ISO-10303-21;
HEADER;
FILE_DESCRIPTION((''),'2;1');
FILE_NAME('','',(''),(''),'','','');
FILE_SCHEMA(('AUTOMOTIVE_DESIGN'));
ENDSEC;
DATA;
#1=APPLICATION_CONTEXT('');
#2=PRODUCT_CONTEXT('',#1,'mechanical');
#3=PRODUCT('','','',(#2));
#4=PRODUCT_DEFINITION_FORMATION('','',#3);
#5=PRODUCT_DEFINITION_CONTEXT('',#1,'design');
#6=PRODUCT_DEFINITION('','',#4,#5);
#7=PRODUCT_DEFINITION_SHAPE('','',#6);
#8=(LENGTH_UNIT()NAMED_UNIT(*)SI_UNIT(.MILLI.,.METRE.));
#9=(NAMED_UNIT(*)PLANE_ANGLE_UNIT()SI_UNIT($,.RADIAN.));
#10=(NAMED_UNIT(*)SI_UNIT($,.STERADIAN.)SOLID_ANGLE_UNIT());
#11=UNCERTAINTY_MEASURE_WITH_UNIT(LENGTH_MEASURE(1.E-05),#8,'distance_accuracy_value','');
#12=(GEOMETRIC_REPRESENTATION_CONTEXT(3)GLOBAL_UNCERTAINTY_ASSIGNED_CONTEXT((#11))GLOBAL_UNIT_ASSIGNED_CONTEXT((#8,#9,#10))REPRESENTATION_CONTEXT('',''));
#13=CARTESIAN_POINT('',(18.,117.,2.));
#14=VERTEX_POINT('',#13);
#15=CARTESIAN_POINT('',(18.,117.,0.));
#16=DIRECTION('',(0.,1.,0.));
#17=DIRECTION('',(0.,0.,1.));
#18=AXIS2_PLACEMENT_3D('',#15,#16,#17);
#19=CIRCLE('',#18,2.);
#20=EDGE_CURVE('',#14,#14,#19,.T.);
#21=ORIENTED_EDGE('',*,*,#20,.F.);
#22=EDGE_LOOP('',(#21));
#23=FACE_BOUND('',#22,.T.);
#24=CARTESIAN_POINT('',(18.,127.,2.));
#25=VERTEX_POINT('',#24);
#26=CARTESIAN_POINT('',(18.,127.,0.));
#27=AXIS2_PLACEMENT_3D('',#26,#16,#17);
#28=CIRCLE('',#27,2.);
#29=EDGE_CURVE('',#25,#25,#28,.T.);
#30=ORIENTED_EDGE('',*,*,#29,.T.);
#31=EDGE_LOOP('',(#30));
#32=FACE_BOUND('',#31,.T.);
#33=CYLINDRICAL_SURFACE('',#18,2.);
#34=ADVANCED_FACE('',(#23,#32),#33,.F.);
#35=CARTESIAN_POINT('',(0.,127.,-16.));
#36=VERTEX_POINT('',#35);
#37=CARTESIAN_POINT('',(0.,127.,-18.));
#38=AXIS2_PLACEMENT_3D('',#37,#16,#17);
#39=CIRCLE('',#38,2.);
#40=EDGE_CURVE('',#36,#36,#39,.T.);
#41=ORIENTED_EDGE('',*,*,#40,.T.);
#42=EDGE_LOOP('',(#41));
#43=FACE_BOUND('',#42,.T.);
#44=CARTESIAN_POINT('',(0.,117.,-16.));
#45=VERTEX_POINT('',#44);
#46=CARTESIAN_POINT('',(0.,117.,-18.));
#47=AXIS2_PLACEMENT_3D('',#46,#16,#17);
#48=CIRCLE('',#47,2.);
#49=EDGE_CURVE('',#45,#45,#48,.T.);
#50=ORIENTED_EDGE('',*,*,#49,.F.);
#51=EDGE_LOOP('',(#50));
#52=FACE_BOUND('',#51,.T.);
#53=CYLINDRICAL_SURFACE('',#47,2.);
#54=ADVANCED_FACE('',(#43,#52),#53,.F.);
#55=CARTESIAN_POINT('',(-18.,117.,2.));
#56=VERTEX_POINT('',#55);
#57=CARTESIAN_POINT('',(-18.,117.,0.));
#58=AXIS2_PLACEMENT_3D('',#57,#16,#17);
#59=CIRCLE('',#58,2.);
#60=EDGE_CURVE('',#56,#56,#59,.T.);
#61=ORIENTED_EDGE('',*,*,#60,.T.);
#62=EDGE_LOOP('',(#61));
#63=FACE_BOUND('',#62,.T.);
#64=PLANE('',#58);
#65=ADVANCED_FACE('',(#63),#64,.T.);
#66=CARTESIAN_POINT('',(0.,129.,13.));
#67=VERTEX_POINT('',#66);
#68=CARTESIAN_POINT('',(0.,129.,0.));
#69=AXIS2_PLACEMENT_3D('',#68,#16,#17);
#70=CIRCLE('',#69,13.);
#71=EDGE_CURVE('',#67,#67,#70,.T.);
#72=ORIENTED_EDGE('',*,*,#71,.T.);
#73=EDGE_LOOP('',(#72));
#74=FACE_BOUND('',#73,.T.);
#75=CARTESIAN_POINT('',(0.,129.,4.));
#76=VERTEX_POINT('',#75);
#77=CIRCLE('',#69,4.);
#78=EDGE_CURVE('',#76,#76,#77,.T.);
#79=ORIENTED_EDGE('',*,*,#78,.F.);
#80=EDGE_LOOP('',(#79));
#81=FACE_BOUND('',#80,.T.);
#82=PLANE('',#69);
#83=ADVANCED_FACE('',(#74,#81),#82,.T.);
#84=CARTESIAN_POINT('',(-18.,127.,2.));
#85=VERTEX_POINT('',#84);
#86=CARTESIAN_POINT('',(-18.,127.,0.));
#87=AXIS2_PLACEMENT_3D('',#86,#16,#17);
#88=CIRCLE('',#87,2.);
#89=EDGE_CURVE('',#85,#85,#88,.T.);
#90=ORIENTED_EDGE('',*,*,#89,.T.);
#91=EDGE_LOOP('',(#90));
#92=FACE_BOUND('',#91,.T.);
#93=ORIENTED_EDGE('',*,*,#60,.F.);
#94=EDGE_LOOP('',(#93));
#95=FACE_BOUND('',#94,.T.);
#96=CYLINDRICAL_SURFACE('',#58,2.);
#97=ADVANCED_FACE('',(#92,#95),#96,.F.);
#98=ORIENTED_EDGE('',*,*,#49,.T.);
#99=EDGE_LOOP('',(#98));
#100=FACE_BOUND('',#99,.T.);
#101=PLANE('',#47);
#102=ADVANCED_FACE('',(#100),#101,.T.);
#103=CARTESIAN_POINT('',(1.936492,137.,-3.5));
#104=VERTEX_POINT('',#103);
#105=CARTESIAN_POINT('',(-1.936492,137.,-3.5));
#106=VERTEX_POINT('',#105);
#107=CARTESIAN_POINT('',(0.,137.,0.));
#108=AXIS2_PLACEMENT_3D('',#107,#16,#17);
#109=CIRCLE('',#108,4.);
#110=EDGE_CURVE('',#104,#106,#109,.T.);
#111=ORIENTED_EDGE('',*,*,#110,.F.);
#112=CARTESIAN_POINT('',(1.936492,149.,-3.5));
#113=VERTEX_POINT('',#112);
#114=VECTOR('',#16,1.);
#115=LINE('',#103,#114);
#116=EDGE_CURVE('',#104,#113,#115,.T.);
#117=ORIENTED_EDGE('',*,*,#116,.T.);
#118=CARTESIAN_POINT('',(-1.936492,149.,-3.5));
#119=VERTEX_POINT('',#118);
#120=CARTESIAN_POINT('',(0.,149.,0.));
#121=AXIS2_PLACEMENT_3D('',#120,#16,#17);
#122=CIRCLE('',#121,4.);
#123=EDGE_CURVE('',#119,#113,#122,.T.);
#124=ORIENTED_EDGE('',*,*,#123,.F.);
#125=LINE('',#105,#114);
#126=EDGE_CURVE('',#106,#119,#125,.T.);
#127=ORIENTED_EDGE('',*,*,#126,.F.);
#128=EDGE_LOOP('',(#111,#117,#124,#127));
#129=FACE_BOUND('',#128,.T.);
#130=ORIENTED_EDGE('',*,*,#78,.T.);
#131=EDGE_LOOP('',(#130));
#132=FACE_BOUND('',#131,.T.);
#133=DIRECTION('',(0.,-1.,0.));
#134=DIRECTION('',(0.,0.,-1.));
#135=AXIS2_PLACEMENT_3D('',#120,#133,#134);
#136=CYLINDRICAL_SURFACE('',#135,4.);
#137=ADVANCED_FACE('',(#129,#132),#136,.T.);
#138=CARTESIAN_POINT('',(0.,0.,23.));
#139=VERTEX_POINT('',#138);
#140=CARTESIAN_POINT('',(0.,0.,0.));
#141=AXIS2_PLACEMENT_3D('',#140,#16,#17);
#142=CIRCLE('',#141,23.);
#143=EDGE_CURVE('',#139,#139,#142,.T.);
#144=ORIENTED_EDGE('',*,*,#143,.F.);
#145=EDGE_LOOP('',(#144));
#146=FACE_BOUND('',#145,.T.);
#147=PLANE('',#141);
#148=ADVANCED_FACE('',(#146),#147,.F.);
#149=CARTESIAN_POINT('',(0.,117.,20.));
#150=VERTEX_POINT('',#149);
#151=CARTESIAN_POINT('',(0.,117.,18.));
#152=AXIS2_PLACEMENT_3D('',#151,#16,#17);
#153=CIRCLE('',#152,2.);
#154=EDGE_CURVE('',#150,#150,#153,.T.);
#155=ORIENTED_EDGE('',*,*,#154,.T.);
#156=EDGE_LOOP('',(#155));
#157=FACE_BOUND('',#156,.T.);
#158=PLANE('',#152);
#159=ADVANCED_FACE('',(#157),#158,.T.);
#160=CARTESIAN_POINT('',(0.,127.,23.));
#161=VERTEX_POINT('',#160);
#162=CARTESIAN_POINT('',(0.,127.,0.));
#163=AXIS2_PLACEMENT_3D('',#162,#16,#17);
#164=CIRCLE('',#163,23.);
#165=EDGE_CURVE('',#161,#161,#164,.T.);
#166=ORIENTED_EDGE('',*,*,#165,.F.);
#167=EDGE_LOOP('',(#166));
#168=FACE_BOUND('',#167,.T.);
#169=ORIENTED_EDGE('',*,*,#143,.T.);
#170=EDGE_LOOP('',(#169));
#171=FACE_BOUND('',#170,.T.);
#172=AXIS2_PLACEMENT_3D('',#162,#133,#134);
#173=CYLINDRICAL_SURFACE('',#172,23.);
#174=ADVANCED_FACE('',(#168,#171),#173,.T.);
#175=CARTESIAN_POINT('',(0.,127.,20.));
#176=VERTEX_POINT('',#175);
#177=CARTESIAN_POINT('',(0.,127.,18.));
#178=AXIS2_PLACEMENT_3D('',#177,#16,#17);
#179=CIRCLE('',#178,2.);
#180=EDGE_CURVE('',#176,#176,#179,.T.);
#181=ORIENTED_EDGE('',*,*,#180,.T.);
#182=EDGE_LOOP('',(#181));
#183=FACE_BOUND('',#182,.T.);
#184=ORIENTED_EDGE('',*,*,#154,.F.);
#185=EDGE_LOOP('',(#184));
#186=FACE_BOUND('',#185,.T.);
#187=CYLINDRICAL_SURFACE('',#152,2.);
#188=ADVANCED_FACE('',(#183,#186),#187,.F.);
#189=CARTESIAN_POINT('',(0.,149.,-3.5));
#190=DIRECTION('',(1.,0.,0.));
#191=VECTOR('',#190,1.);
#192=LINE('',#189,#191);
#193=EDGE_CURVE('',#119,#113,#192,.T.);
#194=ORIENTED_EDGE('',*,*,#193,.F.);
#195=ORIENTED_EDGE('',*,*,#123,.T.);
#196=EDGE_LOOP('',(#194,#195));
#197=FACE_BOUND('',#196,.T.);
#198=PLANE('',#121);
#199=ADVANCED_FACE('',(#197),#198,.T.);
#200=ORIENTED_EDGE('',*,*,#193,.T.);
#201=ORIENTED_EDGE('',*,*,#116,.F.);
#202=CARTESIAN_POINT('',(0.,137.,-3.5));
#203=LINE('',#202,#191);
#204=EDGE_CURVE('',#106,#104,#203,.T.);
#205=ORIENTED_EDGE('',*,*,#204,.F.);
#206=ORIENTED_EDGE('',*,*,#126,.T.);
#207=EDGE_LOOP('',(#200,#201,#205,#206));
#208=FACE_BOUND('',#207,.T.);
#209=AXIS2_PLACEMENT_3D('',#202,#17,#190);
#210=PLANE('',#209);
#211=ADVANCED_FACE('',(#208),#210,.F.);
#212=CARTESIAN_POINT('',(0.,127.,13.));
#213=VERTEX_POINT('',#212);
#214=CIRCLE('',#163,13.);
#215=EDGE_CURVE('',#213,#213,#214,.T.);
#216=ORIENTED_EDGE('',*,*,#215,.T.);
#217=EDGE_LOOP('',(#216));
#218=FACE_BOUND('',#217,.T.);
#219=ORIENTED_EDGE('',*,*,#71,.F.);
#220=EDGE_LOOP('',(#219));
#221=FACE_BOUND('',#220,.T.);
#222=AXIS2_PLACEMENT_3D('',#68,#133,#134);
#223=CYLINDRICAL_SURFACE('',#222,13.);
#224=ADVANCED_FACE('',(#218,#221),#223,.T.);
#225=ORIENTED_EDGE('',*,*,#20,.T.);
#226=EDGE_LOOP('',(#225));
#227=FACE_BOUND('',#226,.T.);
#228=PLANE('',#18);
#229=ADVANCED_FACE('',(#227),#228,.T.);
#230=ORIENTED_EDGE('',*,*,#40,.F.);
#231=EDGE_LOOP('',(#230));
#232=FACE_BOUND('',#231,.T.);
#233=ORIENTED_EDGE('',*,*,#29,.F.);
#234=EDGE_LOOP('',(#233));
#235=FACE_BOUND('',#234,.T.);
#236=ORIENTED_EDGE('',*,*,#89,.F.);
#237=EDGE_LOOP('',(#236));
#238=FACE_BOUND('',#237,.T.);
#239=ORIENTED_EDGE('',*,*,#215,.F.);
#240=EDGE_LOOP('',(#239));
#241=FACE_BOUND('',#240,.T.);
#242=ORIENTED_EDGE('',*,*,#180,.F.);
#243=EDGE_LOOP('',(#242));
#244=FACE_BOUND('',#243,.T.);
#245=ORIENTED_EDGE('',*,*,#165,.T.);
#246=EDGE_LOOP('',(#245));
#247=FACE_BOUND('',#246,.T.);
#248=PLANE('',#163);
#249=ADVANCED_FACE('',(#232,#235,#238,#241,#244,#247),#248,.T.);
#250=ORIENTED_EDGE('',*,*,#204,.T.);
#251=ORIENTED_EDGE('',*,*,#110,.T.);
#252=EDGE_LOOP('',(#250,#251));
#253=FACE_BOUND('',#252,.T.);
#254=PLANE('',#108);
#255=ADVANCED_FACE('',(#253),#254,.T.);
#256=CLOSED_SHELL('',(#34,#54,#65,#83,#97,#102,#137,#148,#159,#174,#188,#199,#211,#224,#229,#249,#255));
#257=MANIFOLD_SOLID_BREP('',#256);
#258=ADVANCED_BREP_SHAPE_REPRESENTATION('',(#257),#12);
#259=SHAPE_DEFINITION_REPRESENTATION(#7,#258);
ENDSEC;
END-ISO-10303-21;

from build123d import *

# Parameters (mm, degrees)
SKETCH2_R           = 23
BOSS_EXTRUDE1_DEPTH = 127
SKETCH3_R           = 13
BOSS_EXTRUDE2_DEPTH = 2
SKETCH4_R           = 4
BOSS_EXTRUDE3_DEPTH = 20
SKETCH8_R           = 2
CUT_EXTRUDE1_DEPTH  = 10
CUT_EXTRUDE2_DEPTH  = 12


with BuildPart() as part:
    # Sketch2 → Boss-Extrude1 (new body)
    with BuildSketch(Plane(origin=(0, 0, 0), x_dir=(1, 0, 0), z_dir=(0, 1, 0))):
        Circle(SKETCH2_R)
    extrude(amount=BOSS_EXTRUDE1_DEPTH)

    # Sketch3 → Boss-Extrude2 (add)
    with BuildSketch(Plane(origin=(0, 127, 0), x_dir=(1, 0, 0), z_dir=(0, 1, 0))):
        Circle(SKETCH3_R)
    extrude(amount=BOSS_EXTRUDE2_DEPTH)

    # Sketch4 → Boss-Extrude3 (add)
    with BuildSketch(Plane(origin=(0, 129, 0), x_dir=(1, 0, 0), z_dir=(0, 1, 0))):
        Circle(SKETCH4_R)
    extrude(amount=BOSS_EXTRUDE3_DEPTH)

    # Sketch8 → Cut-Extrude1 (cut)
    with BuildSketch(Plane(origin=(0, 127, 0), x_dir=(1, 0, 0), z_dir=(0, 1, 0))):
        with Locations((0, 18)):
            Circle(SKETCH8_R)
        with Locations((18, 0)):
            Circle(SKETCH8_R)
        with Locations((0, -18)):
            Circle(SKETCH8_R)
        with Locations((-18, 0)):
            Circle(SKETCH8_R)
    extrude(amount=-CUT_EXTRUDE1_DEPTH, mode=Mode.SUBTRACT)

    # Sketch10 → Cut-Extrude2 (cut)
    with BuildSketch(Plane(origin=(0, 149, 0), x_dir=(1, 0, 0), z_dir=(0, 1, 0))):
        Polygon((-84.712273825, 3.5), (-1.936491673, 3.5), (1.936491673, 3.5), (84.712273825, 3.5), (84.712273825, 169.051564304), (-84.712273825, 169.051564304), align=None)
    extrude(amount=-CUT_EXTRUDE2_DEPTH, mode=Mode.SUBTRACT)


solid = part.part
